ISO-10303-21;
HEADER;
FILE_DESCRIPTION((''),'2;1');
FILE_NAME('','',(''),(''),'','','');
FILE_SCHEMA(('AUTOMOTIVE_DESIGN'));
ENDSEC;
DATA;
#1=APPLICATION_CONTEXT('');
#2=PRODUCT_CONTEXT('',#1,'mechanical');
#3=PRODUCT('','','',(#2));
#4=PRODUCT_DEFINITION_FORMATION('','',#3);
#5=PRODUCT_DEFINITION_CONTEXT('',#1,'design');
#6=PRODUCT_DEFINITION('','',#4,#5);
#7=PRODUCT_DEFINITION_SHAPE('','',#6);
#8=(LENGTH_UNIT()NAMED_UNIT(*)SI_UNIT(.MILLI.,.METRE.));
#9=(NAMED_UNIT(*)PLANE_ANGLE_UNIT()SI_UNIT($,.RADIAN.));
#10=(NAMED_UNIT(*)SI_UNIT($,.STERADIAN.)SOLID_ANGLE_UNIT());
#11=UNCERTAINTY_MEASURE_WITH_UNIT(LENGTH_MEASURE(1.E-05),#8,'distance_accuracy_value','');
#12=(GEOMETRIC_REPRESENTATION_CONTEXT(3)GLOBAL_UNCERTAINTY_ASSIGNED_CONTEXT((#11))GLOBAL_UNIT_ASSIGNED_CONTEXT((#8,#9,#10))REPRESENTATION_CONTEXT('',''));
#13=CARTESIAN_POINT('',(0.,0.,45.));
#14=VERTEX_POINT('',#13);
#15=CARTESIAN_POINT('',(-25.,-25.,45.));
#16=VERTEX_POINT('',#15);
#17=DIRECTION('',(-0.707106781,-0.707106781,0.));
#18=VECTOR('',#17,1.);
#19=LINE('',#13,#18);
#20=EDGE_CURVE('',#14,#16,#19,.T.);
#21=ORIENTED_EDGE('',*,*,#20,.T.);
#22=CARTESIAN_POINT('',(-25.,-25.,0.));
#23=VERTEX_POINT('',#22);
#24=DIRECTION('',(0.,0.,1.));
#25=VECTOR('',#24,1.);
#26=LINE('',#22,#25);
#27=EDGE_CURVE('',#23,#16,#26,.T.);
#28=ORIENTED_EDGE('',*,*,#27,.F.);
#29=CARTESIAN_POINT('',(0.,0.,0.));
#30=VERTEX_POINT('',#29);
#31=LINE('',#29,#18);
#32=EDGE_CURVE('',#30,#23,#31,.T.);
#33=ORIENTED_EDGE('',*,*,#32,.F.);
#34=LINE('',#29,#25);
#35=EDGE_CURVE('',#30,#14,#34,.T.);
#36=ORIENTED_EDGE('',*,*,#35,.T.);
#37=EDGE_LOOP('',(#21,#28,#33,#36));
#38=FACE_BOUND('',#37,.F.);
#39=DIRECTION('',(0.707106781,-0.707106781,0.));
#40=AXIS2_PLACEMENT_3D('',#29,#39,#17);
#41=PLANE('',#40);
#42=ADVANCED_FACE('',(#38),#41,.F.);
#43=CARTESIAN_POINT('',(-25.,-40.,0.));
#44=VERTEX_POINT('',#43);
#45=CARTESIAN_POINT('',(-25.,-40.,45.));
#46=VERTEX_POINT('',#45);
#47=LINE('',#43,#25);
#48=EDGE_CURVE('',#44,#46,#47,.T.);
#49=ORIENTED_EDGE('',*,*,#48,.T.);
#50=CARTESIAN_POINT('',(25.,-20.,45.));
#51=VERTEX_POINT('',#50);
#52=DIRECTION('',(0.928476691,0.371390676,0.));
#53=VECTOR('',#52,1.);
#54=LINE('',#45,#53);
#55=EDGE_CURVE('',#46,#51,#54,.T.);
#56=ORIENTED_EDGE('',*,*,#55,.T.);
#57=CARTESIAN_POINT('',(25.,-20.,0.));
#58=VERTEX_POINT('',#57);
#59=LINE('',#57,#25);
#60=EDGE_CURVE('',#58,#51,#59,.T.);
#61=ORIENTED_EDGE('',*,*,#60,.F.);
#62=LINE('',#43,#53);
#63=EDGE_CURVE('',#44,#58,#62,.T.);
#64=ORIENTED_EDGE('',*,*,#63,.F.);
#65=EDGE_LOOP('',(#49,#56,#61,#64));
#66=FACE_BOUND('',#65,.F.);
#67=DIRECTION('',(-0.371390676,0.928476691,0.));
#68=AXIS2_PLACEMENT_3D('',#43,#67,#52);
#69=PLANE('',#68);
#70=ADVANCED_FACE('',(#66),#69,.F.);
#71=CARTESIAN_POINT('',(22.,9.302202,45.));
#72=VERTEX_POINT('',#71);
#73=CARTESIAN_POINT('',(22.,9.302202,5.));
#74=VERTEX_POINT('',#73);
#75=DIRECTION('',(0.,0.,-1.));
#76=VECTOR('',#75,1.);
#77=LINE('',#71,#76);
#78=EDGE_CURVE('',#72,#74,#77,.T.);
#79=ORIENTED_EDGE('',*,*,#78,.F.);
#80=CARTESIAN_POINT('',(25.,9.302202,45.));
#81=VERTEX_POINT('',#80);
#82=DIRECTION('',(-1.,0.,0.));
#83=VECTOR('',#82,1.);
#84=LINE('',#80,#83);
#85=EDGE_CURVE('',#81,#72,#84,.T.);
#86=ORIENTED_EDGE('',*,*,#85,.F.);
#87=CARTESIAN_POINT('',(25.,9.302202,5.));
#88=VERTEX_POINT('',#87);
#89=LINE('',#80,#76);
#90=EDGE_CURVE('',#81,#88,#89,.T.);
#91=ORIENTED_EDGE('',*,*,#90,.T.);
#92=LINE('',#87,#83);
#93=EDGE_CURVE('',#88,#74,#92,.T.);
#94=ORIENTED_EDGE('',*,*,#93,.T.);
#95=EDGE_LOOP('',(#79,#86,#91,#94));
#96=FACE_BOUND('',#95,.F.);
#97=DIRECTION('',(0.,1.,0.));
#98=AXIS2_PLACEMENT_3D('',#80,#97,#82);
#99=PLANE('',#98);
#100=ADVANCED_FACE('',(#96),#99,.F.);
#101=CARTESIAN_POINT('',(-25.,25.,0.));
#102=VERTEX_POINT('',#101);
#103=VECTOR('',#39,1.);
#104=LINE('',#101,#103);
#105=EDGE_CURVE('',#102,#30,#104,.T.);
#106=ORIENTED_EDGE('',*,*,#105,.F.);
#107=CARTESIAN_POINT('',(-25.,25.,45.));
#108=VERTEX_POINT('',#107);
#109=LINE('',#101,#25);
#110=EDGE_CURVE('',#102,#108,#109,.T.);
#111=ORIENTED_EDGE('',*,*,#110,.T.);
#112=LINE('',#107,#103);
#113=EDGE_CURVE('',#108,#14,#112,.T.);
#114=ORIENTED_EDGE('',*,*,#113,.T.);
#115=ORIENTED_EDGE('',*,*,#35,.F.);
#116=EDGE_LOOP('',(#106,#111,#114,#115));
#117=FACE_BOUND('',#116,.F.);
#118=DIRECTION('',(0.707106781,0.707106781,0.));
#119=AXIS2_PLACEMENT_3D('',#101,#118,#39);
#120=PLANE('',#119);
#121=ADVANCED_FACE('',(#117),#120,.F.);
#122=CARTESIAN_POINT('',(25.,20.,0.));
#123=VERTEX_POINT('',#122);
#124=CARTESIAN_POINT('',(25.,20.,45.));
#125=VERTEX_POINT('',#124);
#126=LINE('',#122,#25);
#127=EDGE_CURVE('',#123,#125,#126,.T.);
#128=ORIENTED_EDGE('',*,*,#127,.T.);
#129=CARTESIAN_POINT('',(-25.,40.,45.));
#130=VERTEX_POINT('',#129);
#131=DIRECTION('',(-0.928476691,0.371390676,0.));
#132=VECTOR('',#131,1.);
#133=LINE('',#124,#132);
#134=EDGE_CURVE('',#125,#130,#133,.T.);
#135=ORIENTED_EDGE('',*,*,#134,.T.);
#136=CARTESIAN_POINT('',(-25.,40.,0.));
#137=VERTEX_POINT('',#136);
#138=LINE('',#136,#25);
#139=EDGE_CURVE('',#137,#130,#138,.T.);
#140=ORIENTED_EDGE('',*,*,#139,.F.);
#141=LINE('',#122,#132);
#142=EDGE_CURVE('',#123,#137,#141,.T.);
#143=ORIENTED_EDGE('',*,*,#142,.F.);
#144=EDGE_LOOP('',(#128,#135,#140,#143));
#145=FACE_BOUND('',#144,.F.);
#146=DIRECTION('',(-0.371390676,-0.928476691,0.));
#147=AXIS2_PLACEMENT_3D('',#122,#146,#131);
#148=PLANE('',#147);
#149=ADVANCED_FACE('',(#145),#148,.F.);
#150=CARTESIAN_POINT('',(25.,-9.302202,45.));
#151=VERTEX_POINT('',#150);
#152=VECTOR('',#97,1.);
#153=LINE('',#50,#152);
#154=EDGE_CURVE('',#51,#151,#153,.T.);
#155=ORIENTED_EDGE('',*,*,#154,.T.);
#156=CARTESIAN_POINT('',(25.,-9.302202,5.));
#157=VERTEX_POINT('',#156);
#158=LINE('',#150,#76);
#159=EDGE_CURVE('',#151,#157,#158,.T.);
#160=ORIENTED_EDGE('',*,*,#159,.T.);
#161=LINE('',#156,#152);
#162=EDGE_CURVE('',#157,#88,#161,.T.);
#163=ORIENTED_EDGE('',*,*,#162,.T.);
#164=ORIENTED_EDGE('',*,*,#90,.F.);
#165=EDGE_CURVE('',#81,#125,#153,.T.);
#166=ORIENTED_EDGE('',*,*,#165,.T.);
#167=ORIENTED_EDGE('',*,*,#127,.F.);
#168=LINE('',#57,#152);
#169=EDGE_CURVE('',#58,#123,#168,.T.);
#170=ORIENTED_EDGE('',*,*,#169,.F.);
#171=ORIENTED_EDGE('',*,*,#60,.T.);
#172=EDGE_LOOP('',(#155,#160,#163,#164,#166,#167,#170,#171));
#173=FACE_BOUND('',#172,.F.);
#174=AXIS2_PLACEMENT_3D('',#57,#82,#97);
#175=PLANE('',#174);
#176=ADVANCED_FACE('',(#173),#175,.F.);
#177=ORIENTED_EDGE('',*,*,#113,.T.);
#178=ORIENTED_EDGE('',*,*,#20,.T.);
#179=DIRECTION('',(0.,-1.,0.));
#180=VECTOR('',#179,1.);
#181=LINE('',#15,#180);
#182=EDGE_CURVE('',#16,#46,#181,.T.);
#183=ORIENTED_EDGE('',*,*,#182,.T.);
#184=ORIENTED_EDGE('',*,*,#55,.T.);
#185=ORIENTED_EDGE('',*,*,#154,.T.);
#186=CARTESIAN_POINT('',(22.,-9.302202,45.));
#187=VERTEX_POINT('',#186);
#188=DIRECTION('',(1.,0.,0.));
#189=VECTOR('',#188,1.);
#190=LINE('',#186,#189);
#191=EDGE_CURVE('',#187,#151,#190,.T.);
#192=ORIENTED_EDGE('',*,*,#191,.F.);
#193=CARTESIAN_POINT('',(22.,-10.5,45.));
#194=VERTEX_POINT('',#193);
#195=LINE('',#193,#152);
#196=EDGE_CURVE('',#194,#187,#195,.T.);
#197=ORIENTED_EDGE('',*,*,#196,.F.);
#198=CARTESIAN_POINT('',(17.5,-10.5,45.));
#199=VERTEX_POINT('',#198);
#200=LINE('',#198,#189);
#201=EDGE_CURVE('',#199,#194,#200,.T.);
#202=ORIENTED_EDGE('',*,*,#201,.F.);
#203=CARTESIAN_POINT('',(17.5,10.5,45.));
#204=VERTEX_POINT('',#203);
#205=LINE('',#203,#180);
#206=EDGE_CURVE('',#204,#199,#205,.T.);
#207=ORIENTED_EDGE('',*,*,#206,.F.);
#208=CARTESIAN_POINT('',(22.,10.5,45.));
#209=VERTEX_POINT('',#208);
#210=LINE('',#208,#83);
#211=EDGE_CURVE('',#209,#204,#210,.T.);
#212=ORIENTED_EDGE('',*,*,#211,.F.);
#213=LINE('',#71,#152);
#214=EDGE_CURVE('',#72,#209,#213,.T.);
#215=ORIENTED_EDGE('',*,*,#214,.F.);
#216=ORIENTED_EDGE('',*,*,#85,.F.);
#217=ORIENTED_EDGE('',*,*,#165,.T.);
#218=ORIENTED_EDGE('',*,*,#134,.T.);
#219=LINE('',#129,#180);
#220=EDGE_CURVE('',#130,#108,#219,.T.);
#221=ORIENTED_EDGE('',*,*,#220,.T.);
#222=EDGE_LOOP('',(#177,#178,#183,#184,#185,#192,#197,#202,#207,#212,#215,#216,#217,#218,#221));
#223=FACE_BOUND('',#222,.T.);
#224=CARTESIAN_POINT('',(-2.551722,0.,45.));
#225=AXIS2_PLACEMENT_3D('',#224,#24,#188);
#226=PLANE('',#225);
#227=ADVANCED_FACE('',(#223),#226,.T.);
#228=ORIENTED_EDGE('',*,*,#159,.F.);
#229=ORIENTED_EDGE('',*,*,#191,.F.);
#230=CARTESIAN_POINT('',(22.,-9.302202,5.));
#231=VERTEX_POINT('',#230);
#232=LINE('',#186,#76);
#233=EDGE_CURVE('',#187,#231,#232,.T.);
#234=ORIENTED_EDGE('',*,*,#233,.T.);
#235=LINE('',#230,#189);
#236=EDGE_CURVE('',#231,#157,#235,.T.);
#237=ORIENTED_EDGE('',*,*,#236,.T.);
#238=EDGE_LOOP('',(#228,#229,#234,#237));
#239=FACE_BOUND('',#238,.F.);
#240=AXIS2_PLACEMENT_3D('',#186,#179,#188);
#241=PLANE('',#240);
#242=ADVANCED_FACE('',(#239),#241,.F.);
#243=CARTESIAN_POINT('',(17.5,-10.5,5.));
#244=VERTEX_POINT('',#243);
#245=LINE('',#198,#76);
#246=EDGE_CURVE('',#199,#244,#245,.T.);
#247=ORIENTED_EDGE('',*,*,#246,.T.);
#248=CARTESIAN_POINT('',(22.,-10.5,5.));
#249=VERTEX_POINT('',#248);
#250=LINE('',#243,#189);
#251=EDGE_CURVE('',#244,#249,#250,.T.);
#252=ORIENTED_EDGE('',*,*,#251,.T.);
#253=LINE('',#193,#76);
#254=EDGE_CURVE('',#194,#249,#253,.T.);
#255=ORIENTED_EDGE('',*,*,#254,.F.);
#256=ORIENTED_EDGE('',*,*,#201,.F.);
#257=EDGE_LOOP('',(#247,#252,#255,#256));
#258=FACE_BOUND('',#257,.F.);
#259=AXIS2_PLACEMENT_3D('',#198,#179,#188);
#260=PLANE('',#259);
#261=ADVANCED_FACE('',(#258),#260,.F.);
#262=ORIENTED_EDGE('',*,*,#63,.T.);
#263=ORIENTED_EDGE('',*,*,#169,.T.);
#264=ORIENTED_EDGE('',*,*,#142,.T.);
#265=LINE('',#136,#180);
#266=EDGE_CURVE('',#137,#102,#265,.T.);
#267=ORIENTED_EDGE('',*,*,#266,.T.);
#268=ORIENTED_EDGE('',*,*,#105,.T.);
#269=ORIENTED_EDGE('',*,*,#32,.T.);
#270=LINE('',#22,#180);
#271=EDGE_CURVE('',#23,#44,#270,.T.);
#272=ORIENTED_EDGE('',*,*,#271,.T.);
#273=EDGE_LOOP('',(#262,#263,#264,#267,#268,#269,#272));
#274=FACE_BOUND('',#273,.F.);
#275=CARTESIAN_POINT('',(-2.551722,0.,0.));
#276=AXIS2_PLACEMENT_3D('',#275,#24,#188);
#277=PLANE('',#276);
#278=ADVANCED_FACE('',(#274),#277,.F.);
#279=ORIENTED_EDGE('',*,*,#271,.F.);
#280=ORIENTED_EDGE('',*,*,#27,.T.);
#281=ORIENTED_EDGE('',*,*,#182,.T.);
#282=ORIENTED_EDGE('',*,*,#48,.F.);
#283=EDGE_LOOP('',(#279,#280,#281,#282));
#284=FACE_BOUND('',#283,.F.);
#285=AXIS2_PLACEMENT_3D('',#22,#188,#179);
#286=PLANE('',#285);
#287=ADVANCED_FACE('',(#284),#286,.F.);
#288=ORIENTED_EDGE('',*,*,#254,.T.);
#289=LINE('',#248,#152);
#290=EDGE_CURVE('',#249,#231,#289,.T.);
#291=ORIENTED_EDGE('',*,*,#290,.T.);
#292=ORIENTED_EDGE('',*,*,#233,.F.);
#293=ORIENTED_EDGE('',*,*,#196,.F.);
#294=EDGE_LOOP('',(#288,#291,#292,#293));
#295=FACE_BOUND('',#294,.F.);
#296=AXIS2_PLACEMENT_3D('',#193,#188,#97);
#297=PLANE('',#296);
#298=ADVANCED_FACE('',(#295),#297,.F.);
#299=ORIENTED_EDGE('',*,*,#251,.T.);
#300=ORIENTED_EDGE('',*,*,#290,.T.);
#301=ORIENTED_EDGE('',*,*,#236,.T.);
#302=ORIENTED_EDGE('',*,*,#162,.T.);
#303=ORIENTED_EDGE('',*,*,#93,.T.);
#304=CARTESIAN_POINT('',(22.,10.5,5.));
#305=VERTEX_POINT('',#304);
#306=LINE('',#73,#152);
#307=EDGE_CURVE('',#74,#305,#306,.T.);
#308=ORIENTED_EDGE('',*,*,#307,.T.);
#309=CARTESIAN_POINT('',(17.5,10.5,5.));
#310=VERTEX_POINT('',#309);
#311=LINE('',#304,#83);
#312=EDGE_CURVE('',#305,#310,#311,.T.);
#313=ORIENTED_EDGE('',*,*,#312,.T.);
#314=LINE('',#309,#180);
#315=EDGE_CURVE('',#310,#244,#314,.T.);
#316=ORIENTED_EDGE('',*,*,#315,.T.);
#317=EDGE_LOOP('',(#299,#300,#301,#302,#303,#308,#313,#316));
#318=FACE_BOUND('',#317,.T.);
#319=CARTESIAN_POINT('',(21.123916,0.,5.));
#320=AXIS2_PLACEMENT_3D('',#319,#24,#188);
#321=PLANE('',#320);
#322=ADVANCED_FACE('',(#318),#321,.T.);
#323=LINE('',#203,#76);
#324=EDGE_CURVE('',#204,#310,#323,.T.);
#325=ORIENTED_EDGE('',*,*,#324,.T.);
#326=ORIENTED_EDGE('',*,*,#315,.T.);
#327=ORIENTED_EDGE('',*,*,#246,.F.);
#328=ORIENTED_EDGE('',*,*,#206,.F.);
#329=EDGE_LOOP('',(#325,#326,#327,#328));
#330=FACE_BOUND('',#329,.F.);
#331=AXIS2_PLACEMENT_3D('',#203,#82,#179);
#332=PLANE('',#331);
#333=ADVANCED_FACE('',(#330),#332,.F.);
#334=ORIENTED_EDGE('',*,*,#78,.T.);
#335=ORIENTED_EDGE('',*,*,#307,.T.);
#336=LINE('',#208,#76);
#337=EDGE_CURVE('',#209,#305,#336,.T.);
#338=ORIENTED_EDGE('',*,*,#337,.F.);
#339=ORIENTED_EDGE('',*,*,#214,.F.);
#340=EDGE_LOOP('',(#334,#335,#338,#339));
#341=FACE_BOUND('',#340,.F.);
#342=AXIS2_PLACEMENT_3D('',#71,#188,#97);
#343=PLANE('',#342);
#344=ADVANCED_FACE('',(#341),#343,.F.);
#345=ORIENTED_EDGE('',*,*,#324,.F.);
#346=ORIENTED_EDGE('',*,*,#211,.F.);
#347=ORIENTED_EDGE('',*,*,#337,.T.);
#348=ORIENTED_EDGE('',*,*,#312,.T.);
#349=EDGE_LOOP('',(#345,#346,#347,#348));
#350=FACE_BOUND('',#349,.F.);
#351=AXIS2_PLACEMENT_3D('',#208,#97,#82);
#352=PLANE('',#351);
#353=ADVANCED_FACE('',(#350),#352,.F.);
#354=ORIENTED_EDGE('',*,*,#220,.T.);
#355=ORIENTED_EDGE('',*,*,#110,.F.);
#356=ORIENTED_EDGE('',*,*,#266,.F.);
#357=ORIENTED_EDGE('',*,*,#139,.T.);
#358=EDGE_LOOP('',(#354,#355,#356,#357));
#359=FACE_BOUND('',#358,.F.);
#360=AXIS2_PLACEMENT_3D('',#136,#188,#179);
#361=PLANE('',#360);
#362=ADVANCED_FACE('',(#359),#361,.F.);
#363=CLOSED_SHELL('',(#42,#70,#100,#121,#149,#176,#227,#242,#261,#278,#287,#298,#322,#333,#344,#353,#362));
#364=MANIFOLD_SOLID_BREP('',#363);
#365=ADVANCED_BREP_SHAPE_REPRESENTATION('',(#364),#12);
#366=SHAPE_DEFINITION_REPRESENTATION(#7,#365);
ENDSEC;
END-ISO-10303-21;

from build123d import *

# Parameters (mm, degrees)
PAD_DEPTH    = 45
POCKET_DEPTH = 40


with BuildPart() as part:
    # Sketch → Pad (new body)
    with BuildSketch(Plane.XY):
        Polygon((-25, 25), (0, 0), (-25, -25), (-25, -40), (25, -20), (25, 20), (-25, 40), align=None)
    extrude(amount=PAD_DEPTH)

    # Sketch001 (on Face9 of Pad) → Pocket (cut)
    with BuildSketch(Plane.XY.offset(45)):
        Polygon((25, 9.302202), (22, 9.302202), (22, 10.5), (17.5, 10.5), (17.5, -10.5), (22, -10.5), (22, -9.302202), (25, -9.302202), align=None)
    extrude(amount=-POCKET_DEPTH, mode=Mode.SUBTRACT)


solid = part.part
